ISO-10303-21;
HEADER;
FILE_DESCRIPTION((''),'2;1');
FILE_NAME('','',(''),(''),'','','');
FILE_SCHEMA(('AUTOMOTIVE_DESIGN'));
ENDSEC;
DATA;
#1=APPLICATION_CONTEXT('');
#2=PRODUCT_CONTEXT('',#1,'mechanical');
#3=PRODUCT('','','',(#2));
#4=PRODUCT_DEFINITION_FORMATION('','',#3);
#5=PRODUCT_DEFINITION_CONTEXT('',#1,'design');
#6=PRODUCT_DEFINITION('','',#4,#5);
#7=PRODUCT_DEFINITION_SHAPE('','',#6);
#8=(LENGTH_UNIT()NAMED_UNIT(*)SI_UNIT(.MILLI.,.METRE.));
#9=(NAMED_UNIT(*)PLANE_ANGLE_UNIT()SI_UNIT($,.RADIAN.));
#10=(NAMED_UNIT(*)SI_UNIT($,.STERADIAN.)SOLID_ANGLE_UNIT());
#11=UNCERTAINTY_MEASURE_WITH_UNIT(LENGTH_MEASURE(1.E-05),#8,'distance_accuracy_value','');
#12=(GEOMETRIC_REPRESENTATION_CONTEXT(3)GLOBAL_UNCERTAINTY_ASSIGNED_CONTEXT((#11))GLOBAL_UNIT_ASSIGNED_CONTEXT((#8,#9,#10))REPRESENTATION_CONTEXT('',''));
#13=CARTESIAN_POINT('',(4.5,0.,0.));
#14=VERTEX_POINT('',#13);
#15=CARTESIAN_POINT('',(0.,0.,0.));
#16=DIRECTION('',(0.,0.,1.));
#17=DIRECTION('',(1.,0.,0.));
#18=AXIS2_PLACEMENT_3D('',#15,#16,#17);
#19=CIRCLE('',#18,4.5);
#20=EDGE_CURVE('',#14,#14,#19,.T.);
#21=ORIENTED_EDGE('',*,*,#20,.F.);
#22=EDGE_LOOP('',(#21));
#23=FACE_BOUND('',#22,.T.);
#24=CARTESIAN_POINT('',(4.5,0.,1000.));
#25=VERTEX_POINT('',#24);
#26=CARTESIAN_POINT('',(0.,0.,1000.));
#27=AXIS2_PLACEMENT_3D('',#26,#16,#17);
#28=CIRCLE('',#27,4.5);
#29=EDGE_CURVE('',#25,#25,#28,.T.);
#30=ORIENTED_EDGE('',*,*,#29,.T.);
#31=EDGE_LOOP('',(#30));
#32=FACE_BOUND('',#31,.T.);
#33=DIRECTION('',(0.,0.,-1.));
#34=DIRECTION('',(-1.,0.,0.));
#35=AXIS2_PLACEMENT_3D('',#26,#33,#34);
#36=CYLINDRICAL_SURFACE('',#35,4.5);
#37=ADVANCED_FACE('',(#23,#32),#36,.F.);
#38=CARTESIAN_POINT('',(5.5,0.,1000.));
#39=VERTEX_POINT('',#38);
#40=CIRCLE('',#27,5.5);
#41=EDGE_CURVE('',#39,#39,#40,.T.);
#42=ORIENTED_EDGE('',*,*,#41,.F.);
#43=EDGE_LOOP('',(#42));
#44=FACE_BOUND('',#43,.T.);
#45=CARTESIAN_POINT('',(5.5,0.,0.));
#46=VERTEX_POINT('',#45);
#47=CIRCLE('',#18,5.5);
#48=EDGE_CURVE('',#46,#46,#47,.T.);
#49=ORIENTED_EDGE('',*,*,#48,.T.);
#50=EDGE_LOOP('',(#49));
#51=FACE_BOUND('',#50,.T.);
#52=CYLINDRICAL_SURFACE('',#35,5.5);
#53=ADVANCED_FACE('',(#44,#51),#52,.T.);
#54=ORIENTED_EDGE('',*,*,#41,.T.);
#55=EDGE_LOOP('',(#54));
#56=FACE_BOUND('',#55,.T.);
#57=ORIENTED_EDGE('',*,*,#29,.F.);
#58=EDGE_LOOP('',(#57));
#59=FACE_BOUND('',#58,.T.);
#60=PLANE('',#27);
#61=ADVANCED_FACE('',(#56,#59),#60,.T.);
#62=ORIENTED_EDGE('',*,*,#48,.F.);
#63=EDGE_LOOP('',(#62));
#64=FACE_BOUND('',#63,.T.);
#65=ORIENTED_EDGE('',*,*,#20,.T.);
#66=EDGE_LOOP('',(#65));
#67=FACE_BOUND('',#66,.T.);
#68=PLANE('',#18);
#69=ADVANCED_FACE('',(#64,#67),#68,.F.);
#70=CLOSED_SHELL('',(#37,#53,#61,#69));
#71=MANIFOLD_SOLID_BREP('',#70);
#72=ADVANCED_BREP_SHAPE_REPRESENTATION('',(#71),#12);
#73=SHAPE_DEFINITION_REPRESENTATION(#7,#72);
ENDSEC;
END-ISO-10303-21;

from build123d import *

# Parameters (mm, degrees)
SKETCH1_R           = 5.5
SKETCH1_R_2         = 4.5
BOSS_EXTRUDE1_DEPTH = 1000


with BuildPart() as part:
    # Sketch1 → Boss-Extrude1 (new body)
    with BuildSketch(Plane.XY):
        Circle(SKETCH1_R)
        Circle(SKETCH1_R_2, mode=Mode.SUBTRACT)
    extrude(amount=BOSS_EXTRUDE1_DEPTH)


solid = part.part
